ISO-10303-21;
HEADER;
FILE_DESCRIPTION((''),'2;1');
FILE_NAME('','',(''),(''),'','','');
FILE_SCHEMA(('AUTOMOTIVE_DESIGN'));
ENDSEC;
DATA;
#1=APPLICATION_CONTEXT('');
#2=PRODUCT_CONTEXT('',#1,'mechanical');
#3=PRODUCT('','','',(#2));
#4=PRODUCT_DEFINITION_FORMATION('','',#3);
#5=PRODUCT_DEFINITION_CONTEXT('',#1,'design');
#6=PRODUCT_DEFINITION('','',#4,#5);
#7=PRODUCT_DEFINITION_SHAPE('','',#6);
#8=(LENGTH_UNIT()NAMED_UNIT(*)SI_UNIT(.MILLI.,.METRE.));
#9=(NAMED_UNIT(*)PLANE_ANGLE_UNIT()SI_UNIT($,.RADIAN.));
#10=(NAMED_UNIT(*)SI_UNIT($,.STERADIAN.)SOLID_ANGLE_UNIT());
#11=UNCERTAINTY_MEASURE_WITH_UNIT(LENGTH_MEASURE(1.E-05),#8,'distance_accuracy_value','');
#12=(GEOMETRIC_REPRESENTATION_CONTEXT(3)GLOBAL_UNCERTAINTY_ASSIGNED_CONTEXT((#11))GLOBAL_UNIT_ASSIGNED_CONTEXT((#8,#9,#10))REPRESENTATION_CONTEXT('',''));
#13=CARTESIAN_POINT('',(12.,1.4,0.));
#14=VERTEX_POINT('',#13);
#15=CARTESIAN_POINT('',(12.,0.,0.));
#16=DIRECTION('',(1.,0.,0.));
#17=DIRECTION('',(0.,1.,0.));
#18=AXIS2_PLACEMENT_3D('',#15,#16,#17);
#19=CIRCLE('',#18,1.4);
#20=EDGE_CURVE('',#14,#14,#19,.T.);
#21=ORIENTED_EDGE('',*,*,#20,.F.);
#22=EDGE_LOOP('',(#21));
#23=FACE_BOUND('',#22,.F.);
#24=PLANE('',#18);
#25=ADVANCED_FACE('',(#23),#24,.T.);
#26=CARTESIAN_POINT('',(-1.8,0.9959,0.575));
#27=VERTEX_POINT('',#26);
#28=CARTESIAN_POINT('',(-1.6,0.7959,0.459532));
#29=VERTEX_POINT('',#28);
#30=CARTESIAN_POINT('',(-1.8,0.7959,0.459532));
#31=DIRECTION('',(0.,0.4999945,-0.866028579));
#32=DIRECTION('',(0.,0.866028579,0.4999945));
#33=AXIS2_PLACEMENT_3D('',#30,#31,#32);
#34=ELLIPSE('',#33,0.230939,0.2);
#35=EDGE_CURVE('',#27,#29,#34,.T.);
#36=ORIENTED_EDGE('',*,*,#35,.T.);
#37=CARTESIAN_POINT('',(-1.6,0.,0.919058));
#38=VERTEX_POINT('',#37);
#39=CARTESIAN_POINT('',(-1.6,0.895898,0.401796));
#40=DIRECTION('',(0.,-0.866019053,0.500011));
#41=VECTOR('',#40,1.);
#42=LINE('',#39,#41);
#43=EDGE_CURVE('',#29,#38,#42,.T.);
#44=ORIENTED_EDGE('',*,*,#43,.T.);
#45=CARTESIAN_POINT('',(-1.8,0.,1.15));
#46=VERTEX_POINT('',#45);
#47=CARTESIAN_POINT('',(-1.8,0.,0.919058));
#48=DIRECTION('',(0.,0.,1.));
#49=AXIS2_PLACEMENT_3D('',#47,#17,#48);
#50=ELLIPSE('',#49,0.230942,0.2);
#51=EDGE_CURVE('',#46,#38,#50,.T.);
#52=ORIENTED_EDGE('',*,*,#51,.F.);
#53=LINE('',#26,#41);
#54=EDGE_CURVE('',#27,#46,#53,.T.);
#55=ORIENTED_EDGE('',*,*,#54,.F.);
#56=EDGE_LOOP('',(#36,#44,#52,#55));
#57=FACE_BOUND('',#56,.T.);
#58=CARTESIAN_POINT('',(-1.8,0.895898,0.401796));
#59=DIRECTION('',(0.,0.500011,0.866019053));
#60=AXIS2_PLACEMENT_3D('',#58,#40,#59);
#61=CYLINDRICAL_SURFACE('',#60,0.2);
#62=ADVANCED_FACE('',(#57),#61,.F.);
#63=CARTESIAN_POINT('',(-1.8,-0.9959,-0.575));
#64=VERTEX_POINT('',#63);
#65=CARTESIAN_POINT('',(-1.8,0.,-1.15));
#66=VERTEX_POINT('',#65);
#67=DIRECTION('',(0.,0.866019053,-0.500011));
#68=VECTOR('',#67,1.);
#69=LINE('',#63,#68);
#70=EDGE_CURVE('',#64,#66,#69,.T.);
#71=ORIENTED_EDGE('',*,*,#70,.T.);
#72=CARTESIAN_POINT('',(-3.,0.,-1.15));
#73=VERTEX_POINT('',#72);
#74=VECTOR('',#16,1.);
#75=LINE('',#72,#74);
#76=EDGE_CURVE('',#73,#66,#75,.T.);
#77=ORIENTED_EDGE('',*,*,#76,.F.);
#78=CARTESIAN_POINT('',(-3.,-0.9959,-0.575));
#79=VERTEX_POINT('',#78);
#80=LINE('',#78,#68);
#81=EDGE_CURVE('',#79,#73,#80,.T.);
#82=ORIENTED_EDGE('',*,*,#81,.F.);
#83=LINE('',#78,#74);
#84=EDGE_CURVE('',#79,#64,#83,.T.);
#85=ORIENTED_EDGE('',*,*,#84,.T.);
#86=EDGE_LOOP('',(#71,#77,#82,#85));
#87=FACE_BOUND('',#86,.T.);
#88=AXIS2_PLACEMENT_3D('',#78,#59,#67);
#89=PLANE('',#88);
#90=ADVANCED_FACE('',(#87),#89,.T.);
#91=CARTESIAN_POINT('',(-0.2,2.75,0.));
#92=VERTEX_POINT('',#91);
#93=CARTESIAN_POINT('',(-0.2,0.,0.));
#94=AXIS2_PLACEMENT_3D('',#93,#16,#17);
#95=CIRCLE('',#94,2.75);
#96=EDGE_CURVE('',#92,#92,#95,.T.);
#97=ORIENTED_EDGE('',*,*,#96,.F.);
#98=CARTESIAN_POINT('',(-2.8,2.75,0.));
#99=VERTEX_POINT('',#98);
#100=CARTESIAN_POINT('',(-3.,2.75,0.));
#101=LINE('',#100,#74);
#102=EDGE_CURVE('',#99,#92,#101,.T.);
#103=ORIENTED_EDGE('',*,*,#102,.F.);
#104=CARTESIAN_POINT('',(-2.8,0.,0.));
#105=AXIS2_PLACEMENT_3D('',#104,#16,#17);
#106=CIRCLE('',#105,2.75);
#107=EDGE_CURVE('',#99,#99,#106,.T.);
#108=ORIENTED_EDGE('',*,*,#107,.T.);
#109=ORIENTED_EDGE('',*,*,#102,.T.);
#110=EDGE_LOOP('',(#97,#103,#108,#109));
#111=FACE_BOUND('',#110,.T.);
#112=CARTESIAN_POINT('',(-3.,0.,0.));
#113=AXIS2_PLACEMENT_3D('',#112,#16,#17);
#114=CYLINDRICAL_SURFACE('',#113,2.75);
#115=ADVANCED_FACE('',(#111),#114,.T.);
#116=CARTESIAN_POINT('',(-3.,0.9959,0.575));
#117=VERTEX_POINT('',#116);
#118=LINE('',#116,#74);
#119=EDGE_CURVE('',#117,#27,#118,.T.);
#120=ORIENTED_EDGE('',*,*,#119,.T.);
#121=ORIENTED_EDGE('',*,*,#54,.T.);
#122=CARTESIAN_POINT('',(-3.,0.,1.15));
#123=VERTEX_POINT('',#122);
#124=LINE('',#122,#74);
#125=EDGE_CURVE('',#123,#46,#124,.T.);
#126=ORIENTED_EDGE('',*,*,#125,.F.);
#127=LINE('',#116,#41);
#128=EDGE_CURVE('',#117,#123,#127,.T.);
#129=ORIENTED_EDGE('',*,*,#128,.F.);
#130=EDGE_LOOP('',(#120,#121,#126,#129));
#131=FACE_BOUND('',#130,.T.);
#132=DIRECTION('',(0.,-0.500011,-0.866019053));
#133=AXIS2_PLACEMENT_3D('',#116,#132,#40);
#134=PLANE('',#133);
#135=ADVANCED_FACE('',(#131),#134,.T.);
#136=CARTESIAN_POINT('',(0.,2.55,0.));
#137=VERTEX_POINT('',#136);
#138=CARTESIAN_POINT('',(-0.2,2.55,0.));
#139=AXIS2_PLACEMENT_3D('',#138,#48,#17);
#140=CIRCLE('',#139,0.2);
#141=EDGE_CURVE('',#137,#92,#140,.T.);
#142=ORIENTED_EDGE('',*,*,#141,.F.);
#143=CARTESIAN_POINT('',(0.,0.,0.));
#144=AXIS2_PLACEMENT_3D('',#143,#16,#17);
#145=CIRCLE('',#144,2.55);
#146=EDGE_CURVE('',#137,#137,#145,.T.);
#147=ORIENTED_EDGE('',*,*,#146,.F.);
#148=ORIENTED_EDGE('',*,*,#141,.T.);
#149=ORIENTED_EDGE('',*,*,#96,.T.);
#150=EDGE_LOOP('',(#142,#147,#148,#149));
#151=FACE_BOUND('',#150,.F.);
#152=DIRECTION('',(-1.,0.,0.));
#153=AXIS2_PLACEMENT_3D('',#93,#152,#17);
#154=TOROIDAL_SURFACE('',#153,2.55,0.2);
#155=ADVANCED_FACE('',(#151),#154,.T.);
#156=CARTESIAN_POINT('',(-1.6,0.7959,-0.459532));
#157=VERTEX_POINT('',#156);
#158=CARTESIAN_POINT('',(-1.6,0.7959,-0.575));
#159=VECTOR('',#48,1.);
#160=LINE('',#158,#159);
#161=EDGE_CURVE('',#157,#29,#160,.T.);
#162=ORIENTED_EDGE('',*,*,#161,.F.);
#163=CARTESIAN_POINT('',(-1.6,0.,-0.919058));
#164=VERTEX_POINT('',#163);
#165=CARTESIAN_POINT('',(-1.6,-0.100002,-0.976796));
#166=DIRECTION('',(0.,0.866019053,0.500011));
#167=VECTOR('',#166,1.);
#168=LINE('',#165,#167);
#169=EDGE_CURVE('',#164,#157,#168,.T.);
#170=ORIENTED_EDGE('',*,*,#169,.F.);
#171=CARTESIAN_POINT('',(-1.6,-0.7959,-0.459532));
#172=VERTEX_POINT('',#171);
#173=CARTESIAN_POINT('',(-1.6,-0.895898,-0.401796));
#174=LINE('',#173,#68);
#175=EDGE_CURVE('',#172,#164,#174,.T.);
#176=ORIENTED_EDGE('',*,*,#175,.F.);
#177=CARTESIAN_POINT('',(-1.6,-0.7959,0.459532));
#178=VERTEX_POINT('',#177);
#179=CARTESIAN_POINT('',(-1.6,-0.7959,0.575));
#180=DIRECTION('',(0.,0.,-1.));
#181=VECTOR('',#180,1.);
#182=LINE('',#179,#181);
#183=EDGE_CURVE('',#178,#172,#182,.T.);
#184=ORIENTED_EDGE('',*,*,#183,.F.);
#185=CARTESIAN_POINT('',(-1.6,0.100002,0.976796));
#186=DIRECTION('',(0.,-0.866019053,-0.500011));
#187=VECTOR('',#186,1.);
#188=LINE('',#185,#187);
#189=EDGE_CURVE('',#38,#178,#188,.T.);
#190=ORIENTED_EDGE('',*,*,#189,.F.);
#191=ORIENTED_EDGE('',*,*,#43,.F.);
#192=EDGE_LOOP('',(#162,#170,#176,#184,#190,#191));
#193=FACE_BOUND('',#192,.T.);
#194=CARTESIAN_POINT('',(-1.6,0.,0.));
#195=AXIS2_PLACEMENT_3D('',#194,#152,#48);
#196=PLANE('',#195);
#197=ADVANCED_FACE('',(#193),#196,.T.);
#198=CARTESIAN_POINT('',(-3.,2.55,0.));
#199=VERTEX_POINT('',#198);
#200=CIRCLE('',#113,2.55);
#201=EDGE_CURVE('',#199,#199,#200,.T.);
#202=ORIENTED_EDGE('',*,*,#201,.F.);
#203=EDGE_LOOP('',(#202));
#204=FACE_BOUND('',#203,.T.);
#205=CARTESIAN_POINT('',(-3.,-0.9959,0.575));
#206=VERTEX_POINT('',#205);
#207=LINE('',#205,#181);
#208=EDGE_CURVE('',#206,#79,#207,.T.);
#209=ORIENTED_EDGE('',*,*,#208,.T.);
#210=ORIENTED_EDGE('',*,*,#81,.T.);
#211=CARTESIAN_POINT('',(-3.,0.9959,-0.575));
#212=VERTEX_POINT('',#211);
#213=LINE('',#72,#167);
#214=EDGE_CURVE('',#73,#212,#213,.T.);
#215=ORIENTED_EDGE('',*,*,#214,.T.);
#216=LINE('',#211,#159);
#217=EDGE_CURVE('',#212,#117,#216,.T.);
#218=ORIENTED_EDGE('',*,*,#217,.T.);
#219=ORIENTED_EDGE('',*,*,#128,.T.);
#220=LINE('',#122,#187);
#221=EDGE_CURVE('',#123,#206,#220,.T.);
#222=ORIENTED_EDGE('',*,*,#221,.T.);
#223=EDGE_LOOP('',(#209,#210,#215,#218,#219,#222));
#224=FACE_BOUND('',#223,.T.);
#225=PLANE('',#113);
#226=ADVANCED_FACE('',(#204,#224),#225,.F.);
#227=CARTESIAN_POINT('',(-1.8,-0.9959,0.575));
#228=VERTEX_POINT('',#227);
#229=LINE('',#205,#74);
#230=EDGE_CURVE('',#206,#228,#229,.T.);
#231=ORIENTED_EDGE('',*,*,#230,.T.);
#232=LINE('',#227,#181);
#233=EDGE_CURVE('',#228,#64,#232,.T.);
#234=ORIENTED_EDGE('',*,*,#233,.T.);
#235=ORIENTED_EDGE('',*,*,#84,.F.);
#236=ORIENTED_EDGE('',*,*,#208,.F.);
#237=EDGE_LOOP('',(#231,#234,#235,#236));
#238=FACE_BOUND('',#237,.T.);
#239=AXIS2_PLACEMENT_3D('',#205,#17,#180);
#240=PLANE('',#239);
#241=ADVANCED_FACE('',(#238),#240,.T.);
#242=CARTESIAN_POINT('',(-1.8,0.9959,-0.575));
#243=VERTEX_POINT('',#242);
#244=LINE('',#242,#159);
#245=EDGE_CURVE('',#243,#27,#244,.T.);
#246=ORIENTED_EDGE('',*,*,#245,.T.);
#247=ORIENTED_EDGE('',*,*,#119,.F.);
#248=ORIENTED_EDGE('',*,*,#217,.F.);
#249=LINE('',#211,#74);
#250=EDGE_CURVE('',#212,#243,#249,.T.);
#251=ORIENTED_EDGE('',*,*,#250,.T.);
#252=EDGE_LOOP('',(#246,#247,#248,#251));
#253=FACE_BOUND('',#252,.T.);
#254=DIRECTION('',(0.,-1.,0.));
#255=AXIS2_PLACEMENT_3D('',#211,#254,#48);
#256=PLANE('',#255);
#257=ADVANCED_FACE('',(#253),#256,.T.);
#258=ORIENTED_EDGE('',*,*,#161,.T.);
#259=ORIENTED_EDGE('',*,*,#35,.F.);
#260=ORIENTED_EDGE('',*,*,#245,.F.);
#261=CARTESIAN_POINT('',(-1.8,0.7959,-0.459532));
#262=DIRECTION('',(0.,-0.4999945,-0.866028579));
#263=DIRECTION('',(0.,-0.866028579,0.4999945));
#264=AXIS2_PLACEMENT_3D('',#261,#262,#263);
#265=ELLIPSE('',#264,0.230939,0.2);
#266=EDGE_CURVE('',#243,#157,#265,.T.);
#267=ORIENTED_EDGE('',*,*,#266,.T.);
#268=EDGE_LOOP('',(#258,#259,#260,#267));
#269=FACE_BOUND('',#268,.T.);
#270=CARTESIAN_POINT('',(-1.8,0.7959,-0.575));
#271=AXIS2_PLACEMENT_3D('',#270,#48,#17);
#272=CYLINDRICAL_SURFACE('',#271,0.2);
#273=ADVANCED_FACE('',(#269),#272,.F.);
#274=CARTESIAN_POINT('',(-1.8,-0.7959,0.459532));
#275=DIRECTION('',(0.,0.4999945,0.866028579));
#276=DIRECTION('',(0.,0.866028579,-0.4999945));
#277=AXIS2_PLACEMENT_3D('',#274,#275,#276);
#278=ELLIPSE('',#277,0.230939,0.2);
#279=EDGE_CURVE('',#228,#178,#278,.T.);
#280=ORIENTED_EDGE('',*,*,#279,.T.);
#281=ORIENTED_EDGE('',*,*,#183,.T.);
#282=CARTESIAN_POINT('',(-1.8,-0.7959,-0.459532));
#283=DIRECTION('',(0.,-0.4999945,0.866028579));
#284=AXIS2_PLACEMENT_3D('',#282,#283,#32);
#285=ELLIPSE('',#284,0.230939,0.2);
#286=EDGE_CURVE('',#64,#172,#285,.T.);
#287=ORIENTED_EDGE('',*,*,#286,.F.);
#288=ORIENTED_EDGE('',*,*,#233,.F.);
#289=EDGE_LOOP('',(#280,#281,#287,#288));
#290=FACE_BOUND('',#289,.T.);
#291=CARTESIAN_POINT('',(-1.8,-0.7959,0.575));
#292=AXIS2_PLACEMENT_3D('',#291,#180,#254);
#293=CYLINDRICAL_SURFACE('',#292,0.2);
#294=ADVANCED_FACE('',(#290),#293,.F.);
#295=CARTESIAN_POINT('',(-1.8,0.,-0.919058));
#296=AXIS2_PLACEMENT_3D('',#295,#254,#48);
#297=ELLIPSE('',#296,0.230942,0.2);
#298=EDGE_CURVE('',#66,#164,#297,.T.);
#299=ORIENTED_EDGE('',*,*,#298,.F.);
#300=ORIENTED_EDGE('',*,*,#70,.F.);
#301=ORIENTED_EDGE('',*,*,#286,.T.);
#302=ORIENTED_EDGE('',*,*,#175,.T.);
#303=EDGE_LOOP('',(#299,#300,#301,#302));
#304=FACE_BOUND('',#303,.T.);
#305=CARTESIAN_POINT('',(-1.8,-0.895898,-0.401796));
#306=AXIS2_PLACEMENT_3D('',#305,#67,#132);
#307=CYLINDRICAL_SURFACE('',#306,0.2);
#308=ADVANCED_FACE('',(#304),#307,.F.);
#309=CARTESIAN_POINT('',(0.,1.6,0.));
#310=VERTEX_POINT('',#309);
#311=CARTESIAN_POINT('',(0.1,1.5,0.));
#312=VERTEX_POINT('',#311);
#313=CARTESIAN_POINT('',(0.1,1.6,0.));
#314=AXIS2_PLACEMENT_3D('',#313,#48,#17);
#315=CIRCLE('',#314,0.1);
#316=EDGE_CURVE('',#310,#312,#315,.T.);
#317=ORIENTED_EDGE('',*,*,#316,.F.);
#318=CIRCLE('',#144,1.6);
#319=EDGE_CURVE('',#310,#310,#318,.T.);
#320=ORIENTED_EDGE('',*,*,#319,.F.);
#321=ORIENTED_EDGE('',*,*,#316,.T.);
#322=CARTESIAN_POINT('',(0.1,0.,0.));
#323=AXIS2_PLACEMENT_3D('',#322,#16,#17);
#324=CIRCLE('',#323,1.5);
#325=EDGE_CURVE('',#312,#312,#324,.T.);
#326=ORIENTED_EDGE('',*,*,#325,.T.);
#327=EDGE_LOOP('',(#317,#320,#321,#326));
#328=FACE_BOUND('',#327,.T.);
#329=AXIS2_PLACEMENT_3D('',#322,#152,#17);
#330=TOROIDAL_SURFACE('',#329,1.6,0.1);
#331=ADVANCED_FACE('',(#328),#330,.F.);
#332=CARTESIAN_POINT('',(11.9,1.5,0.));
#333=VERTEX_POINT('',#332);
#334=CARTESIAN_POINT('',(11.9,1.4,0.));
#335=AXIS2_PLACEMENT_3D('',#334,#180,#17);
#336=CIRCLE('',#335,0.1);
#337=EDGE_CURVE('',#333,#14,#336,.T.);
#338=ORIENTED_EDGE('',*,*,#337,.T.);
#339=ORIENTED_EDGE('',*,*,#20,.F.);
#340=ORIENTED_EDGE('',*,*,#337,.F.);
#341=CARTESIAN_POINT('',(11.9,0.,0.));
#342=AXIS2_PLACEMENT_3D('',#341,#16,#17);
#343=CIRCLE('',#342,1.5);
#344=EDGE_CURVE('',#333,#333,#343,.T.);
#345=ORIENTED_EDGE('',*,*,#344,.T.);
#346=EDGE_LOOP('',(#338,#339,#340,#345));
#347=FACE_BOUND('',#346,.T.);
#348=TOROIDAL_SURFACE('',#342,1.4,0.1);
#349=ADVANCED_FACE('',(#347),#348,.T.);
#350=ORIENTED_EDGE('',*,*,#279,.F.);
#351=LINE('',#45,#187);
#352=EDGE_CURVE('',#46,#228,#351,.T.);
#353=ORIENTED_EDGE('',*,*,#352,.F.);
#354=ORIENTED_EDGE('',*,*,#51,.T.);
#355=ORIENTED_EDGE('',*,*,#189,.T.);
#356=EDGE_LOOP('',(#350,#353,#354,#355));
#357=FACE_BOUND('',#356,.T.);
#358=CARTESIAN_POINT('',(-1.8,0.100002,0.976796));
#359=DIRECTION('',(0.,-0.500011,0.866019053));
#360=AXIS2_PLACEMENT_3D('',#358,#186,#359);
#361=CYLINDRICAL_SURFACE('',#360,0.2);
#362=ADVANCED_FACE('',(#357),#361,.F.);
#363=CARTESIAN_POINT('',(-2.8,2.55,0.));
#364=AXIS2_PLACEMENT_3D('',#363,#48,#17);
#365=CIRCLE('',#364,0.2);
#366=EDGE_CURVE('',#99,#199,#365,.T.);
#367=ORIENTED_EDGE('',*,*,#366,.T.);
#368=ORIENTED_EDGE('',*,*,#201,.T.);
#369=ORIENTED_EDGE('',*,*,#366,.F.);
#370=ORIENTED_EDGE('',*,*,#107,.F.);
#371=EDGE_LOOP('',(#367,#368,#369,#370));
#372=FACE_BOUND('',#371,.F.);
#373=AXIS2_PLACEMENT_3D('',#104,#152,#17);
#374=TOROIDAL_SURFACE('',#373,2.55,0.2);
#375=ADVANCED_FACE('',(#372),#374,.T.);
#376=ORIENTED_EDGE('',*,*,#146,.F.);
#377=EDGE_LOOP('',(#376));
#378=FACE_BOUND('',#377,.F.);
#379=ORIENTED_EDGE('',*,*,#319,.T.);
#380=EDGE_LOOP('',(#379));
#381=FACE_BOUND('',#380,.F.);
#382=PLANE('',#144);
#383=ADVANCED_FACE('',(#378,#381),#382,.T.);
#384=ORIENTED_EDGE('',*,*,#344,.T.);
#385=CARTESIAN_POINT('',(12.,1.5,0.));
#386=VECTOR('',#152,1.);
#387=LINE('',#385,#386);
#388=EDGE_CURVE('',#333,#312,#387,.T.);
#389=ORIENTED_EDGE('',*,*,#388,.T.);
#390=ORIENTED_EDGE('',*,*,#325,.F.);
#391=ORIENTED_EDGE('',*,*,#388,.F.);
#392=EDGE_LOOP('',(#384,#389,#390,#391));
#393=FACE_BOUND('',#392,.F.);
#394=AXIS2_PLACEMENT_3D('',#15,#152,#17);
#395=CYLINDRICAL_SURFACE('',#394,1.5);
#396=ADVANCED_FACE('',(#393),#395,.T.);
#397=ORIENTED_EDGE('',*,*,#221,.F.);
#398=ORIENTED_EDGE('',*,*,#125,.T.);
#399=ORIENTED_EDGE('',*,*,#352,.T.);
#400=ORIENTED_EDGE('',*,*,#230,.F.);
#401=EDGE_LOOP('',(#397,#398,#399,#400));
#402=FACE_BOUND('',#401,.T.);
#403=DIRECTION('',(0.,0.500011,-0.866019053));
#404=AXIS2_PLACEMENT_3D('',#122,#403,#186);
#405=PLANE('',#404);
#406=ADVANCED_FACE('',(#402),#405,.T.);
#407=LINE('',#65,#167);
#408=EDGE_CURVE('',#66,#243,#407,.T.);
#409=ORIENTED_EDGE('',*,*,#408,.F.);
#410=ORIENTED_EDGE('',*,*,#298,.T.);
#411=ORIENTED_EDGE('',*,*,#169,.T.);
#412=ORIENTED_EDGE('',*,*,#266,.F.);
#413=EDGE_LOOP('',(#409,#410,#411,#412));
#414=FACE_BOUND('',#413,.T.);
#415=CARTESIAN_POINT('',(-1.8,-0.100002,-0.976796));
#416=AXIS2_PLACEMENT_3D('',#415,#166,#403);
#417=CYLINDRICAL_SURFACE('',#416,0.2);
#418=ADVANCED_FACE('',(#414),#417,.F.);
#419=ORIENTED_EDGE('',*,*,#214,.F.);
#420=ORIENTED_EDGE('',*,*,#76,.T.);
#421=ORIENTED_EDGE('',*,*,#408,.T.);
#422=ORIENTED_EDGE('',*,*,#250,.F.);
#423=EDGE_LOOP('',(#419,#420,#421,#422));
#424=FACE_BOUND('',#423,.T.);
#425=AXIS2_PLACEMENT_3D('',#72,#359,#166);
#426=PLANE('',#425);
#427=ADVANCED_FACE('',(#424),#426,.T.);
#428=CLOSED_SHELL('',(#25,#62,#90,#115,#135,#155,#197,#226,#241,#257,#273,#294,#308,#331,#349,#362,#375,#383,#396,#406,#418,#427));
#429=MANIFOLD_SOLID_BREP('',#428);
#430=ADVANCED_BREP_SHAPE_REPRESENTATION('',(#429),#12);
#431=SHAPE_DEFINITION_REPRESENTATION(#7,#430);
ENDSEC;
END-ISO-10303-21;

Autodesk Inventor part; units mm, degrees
ref_plane "YZ Plane" through (0, 0, 0) normal (1, 0, 0) x (0, 1, 0)
ref_plane "XZ Plane" through (0, 0, 0) normal (0, 1, 0) x (-1, 0, 0)
ref_plane "XY Plane" through (0, 0, 0) normal (0, 0, 1) x (1, 0, 0)
sketch "スケッチ1" plane through (0, 0, 0) normal (0, 0, 1) x (1, 0, 0)
  line L0 (0, 0) -> (12, 0)
  line L1 (12, 0) -> (12, 1.5)
  line L2 (12, 1.5) -> (0, 1.5)
  line L3 (0, 1.5) -> (0, 0)
  line L4 (0, 0) -> (0, 2.75)
  line L5 (0, 0) -> (-3, 0)
  line L6 (-3, 0) -> (0, 0)
  line L7 (-3, 0) -> (-3, 1.15)
  line L8 (0, 0) -> (-3, 0)
  line L9 (-3, 0) -> (-3, 2.75)
  line L10 (-3, 2.75) -> (0, 2.75)
  line L11 (0, 2.75) -> (0, 0)
  dimension "d0" = 1.5
  dimension "d1" = 12
  dimension "d3" = 3
  dimension "d4" = 2.75
  dimension "d5" = 1.15
revolve "回転1" add sketch "スケッチ1" angle 360 about axis through (-3, 0, 0) along (1, 0, 0)
thread "ねじ1" size "M3x0.5" class "6g" standard "ANSI Metric M Profile" length 100
sketch "スケッチ2" plane through (-3, 0, 0) normal (-1, 0, 0) x (0, 0, 1)
  circle A0 centre (0, 0) radius 1.15 projected
  line L0 (-0.575, 0.9959) -> (0.575, 0.9959)
  line L1 (0.575, 0.9959) -> (1.15, 0)
  line L2 (1.15, 0) -> (0.575, -0.9959)
  line L3 (0.575, -0.9959) -> (-0.575, -0.9959)
  line L4 (-0.575, -0.9959) -> (-1.15, 0)
  line L5 (-1.15, 0) -> (-0.575, 0.9959)
  dimension "d10" = 1.15
  dimension "d11" = 1.9919
extrude "押し出し1" cut sketch "スケッチ2" against normal blind 1.4 contours L2 L3 L4 L5 L0 L1
fillet "フィレット1" radius 0.2 8 edges at (-1.6, 0.9959, 0) (-1.6, 0.498, 0.8625) (-1.6, 0.498, -0.8625) (-1.6, -0.498, -0.8625) (-1.6, -0.9959, 0) (-1.6, -0.498, 0.8625) (-3, -2.75, 0) (0, -2.75, 0)
fillet "フィレット2" radius 0.1 1 edges at (0, -1.5, 0)
fillet "フィレット3" radius 0.1 1 edges at (12, -1.5, 0)
properties part number "ネジアルミM3L122" material "アルミニウム 7075"
